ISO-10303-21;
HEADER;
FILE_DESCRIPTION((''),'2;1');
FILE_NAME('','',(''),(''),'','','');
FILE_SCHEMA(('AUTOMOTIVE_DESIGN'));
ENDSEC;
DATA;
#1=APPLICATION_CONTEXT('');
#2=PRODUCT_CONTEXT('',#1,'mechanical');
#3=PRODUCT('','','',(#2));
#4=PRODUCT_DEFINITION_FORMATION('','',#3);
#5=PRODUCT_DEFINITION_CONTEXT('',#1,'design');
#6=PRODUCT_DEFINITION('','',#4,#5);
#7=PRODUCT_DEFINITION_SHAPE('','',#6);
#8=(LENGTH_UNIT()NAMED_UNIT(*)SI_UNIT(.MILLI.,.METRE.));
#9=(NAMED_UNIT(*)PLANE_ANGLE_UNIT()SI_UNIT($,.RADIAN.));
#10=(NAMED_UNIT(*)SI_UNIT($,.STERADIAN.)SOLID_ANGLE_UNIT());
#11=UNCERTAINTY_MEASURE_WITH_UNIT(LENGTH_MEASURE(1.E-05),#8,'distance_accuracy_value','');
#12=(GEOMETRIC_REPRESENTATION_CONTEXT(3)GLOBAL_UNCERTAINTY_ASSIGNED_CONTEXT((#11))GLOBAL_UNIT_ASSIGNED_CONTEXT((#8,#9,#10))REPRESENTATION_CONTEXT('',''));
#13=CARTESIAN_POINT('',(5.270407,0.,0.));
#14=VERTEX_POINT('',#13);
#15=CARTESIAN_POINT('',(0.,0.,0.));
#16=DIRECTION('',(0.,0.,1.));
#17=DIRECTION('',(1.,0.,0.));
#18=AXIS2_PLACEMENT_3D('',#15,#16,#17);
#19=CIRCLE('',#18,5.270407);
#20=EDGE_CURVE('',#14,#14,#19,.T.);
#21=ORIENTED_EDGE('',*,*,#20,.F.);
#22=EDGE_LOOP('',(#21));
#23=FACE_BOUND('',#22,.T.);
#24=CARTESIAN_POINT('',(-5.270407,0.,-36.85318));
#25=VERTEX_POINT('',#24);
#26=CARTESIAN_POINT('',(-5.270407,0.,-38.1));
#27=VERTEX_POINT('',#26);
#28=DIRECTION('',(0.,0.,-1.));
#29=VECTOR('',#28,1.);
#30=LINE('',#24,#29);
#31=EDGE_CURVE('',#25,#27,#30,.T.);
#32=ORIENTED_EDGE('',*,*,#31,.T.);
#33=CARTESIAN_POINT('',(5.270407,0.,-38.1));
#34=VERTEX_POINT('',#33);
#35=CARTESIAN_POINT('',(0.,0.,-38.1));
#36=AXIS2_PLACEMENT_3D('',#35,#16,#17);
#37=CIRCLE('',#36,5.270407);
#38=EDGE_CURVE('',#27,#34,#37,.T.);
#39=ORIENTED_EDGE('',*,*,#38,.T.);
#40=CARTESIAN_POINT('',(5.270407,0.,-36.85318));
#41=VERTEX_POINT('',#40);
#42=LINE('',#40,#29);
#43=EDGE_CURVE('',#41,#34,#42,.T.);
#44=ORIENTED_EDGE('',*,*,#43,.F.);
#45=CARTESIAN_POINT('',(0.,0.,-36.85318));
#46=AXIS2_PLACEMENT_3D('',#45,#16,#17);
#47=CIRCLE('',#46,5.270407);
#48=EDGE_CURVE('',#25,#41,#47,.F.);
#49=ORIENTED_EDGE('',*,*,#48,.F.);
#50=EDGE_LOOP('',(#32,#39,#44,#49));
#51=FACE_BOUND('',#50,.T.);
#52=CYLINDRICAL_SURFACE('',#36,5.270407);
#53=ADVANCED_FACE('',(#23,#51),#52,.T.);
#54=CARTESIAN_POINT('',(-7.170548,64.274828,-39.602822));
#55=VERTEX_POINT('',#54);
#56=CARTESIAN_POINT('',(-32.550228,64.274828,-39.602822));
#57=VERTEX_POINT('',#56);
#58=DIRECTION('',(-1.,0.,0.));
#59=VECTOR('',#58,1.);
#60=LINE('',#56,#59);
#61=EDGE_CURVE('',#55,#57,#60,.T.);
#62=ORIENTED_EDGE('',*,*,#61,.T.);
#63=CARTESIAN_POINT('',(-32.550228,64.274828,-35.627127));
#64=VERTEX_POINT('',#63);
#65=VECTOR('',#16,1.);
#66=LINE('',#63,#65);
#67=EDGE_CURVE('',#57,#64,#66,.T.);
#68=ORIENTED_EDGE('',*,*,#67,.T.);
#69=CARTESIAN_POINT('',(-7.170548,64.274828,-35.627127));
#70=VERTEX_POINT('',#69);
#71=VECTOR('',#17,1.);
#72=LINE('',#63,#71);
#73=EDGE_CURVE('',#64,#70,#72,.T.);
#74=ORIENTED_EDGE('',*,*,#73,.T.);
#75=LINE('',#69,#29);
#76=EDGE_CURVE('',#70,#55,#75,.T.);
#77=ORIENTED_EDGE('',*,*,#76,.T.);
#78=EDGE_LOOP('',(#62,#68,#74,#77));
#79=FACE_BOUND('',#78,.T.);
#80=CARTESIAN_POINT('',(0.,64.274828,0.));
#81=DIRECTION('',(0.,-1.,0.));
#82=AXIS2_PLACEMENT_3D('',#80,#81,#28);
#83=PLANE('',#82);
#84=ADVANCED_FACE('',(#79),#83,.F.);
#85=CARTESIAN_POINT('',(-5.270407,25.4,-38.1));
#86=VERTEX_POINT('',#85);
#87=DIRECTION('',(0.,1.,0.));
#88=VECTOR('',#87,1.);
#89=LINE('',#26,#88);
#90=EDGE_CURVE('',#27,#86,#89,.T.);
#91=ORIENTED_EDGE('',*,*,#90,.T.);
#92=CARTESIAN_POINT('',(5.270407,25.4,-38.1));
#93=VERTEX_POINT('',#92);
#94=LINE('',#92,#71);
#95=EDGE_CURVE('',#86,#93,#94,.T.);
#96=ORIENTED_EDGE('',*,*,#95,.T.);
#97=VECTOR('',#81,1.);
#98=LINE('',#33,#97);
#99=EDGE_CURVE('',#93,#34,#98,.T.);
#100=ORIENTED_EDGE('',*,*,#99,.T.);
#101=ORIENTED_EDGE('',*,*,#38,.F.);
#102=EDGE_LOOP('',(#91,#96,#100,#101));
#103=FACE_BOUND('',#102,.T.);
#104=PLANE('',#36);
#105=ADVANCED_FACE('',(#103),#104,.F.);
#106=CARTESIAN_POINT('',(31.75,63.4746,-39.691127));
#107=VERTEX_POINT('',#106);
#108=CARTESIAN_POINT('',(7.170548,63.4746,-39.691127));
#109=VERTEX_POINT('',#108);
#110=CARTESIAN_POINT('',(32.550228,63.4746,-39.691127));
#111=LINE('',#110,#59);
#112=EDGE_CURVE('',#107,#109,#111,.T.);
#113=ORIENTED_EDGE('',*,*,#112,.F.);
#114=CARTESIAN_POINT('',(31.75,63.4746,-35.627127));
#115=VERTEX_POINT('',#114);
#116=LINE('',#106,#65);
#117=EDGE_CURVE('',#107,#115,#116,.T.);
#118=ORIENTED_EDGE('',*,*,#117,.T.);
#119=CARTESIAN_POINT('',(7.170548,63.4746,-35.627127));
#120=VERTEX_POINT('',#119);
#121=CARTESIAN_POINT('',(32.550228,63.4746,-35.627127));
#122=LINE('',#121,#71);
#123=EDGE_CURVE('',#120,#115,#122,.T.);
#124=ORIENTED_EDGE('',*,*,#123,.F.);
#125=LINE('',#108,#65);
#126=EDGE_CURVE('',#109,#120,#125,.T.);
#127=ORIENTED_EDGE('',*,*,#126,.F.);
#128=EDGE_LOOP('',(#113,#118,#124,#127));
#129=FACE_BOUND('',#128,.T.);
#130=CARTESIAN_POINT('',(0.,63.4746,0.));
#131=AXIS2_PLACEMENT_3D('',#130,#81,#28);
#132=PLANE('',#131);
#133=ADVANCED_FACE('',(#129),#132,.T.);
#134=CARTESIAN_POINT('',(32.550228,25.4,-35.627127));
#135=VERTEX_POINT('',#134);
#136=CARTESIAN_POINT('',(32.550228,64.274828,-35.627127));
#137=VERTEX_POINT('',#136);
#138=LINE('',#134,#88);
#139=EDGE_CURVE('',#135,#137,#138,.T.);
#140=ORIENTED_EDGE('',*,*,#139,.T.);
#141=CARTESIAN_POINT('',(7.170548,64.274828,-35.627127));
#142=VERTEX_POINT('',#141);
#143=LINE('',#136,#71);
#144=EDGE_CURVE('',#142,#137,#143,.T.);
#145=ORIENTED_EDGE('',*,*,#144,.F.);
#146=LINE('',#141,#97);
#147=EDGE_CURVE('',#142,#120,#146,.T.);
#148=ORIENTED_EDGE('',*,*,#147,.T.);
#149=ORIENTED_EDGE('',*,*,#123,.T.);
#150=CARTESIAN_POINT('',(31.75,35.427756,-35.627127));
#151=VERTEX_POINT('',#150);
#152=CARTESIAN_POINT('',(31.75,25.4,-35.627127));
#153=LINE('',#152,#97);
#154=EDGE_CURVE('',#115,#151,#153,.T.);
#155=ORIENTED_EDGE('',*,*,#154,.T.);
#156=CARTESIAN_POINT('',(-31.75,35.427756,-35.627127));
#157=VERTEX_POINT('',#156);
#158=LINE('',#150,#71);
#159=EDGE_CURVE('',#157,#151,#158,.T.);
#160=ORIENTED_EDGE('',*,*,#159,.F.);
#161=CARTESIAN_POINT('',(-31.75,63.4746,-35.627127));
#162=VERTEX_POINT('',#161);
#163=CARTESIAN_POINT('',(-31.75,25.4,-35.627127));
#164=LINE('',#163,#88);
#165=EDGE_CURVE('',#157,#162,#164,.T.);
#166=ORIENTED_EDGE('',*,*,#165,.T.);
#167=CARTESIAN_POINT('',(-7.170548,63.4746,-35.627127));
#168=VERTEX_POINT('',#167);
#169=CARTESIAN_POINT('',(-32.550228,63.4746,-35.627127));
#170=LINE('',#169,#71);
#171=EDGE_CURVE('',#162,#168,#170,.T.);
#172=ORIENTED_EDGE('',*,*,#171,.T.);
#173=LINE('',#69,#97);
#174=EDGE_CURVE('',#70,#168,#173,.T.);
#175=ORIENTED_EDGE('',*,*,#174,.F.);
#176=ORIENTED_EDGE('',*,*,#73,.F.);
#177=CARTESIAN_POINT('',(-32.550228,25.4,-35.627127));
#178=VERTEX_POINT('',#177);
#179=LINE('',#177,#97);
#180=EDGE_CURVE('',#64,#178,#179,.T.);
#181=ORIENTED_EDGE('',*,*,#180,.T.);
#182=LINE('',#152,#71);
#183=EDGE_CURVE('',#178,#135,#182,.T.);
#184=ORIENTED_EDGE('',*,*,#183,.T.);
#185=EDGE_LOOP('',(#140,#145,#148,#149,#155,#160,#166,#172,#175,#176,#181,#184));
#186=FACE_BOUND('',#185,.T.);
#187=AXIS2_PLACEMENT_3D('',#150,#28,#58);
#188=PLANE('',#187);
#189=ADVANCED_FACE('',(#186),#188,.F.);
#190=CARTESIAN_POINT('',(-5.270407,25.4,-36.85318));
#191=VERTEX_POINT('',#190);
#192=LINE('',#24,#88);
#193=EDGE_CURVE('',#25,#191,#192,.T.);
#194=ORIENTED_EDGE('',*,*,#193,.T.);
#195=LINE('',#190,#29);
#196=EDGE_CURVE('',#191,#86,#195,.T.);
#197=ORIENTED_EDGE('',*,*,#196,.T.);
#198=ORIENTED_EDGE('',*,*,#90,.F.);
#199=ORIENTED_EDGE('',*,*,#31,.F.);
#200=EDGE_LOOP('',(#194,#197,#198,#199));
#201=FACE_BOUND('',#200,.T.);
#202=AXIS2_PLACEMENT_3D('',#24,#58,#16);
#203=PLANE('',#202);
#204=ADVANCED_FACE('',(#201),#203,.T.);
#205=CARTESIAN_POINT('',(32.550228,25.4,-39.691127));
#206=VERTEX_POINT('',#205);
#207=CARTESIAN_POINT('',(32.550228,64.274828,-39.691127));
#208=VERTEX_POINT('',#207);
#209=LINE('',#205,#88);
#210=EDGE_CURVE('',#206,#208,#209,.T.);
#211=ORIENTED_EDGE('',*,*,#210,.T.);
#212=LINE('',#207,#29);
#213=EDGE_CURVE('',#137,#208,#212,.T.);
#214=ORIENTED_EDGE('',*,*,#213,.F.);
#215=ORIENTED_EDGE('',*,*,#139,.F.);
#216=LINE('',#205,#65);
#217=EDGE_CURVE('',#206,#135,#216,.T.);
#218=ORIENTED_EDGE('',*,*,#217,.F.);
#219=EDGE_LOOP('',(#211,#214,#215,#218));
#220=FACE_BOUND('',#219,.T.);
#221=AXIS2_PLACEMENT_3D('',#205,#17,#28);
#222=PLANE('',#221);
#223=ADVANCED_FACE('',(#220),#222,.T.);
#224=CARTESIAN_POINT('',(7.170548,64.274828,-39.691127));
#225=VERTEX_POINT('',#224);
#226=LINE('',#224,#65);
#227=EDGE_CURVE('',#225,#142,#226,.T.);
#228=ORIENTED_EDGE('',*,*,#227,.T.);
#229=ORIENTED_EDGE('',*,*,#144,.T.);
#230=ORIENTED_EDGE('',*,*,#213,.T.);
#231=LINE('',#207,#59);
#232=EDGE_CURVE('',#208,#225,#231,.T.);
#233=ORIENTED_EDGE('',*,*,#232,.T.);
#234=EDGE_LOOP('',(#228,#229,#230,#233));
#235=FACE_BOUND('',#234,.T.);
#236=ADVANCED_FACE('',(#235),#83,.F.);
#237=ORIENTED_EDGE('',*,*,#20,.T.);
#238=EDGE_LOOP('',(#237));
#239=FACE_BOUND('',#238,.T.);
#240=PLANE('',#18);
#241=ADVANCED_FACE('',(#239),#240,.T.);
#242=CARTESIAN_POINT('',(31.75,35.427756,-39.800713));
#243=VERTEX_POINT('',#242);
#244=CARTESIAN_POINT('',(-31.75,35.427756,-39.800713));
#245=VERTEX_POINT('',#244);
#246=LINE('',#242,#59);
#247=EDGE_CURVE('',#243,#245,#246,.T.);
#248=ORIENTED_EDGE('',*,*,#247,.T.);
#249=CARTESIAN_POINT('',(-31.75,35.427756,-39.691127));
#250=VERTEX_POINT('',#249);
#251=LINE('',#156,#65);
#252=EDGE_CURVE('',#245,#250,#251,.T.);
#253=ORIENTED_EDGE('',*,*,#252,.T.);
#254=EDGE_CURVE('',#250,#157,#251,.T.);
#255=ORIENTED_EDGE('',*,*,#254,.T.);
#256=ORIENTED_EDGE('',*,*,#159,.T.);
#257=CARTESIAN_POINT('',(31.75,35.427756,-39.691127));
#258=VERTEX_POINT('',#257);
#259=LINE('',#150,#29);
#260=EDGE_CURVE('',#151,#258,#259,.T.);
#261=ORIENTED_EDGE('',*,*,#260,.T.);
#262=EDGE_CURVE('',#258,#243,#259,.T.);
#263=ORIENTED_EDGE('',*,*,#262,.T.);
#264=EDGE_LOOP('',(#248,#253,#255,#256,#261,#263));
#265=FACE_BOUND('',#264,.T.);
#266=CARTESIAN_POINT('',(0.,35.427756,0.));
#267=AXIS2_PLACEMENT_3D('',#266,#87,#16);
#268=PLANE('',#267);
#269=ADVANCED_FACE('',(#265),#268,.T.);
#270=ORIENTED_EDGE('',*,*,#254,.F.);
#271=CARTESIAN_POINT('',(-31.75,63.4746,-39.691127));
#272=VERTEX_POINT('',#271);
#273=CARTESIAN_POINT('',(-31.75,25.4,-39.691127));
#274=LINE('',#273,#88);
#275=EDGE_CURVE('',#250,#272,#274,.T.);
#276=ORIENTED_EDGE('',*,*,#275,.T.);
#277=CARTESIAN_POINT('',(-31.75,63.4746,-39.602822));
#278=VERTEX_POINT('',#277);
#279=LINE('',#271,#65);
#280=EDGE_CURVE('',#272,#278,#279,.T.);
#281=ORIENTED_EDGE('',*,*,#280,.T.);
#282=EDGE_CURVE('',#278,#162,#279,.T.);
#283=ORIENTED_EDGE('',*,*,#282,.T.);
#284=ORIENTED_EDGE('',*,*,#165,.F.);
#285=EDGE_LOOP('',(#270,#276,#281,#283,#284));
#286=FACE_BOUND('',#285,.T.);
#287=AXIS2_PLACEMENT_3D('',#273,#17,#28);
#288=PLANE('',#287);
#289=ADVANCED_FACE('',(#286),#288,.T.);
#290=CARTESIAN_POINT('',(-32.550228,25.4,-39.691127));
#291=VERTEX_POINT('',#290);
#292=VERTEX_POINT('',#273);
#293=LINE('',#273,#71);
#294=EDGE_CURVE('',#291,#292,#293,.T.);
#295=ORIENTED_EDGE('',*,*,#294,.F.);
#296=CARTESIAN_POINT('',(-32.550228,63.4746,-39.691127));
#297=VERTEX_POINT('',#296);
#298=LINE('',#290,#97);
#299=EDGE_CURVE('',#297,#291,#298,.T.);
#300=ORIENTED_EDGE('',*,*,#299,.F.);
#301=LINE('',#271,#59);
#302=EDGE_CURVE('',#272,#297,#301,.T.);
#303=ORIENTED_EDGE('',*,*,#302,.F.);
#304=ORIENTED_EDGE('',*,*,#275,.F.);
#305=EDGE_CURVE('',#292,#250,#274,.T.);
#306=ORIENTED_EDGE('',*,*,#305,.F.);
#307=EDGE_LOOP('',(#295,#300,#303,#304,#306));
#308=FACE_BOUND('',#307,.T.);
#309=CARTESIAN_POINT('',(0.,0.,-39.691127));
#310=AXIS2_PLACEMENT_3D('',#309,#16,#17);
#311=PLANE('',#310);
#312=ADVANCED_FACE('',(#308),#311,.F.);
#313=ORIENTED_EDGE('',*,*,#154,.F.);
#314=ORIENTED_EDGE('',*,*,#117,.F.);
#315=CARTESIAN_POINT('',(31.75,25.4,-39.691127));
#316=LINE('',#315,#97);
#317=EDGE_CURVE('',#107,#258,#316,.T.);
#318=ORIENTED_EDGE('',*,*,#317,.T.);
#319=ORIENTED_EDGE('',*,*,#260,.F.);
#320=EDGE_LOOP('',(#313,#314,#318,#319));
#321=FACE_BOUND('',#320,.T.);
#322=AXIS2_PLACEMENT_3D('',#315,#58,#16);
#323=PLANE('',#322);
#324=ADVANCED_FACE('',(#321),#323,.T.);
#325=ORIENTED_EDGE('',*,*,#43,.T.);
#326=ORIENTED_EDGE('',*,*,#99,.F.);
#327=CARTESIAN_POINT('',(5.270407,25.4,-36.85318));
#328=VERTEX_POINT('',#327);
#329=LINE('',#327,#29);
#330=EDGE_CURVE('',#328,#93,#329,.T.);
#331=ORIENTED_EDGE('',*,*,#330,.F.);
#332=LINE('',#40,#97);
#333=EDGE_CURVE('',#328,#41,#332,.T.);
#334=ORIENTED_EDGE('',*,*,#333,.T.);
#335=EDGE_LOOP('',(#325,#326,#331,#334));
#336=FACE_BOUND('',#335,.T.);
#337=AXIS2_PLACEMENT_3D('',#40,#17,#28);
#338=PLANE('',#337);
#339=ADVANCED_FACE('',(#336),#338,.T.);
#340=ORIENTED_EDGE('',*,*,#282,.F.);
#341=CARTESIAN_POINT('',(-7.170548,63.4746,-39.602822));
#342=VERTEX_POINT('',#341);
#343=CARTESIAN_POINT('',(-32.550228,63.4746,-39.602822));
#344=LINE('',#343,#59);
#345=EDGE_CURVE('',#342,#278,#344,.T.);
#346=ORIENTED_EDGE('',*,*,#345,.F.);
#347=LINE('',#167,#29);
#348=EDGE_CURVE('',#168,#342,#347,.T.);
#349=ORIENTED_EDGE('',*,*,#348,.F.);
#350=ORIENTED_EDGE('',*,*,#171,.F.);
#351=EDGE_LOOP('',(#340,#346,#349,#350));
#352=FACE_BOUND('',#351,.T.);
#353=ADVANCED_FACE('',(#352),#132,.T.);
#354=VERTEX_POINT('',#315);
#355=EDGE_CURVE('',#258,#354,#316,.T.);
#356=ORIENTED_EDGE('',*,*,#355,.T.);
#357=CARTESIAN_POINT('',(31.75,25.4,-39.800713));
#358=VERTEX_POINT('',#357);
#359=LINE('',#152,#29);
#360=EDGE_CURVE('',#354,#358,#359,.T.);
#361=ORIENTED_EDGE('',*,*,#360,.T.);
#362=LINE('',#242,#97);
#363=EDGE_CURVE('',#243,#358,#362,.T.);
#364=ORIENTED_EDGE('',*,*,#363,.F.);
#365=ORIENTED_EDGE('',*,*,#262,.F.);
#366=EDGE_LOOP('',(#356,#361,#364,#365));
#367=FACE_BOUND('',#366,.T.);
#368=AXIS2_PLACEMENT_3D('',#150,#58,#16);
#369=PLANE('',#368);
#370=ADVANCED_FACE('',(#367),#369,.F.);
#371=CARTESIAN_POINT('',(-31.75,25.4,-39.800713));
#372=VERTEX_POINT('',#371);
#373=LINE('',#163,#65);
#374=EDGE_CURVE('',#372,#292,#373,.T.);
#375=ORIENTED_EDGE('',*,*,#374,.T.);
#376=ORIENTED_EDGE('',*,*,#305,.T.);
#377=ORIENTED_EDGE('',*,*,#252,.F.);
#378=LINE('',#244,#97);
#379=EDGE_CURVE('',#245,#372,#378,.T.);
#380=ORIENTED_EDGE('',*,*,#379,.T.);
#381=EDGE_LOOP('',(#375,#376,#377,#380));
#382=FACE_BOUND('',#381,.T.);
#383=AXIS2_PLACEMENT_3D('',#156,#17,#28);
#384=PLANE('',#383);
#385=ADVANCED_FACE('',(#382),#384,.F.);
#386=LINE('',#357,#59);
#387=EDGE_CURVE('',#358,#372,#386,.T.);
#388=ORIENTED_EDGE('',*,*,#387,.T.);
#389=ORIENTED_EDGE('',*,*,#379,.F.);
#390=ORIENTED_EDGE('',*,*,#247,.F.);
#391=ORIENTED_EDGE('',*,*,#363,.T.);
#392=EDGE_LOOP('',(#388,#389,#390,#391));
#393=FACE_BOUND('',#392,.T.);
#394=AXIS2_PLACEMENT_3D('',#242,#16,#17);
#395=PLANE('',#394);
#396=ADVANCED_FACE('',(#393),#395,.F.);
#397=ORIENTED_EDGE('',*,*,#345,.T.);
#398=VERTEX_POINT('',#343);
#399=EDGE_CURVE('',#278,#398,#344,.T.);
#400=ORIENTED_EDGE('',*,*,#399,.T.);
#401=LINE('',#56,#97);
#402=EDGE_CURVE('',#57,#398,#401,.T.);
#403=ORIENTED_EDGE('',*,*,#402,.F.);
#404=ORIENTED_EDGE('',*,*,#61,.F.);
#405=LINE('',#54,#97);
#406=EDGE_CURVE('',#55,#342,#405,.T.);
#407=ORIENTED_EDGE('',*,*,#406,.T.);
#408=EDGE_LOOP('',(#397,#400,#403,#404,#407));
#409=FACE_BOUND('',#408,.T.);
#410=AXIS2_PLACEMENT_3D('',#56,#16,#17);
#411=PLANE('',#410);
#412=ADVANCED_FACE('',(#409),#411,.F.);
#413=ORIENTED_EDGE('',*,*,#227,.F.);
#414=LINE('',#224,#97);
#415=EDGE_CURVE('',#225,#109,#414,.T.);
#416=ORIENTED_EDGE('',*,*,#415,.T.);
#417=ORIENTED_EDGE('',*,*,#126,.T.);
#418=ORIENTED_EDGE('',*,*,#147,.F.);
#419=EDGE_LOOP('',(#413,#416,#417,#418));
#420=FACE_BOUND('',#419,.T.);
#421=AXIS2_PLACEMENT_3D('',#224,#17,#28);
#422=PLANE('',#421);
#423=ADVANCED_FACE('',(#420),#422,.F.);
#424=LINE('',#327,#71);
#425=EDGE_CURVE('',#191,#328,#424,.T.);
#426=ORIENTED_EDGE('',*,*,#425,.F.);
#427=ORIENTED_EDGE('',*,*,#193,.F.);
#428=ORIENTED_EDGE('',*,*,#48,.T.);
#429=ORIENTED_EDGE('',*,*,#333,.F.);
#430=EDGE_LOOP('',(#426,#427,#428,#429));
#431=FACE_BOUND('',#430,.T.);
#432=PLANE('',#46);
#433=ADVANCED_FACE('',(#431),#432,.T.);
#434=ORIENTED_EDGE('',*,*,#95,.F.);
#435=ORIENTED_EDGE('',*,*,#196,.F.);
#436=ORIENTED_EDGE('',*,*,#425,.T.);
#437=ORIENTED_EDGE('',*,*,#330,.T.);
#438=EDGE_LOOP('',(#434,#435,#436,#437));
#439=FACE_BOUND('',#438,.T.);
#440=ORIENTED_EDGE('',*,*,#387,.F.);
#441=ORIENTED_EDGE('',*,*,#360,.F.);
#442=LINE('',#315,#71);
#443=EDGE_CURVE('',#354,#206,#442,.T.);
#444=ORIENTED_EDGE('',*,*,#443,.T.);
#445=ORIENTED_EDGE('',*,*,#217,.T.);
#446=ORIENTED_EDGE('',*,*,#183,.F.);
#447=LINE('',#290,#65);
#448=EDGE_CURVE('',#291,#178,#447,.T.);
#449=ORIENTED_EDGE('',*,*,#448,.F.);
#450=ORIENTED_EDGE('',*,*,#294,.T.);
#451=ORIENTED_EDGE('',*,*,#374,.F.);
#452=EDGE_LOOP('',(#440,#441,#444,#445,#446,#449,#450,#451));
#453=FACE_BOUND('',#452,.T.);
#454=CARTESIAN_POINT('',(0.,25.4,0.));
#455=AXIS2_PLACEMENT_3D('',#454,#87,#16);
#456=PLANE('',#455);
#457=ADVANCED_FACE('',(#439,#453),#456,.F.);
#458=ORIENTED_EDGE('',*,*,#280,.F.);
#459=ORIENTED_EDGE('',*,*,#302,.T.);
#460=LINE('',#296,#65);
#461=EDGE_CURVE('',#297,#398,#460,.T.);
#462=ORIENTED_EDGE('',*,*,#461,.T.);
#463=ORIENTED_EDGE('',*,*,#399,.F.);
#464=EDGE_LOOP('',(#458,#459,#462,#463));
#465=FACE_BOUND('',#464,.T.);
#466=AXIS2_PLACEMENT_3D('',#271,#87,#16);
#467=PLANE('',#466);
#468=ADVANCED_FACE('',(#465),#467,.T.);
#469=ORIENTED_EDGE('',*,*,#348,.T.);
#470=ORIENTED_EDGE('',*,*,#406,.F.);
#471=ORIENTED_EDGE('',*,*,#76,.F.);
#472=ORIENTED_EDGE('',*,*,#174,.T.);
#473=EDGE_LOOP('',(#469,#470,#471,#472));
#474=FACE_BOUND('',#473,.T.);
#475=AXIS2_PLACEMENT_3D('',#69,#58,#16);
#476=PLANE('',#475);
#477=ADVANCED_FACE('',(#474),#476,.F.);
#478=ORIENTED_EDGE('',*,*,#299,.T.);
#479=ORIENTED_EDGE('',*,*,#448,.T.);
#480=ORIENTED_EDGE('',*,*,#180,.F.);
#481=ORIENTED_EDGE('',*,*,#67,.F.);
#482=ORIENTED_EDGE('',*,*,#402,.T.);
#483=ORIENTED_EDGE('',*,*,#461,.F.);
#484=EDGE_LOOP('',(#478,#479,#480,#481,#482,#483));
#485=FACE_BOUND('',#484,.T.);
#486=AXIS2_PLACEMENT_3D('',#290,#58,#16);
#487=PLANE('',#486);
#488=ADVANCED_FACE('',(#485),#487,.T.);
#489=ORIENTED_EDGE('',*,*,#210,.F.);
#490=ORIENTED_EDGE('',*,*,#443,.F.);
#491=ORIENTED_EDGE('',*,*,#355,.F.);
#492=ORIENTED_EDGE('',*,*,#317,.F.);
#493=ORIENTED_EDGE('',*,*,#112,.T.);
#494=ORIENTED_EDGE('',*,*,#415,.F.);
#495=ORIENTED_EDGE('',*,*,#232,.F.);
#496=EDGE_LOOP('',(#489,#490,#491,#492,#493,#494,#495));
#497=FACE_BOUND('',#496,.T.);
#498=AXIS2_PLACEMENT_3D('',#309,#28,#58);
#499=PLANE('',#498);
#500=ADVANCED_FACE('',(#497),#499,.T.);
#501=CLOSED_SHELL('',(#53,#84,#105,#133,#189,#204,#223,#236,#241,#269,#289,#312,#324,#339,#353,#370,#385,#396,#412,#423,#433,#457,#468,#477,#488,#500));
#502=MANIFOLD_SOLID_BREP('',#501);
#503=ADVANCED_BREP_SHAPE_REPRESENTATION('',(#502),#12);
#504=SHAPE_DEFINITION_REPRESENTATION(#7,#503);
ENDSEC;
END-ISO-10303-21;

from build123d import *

# Parameters (mm, degrees)
SKETCH1_R       = 5.270407467
FEATURE_A_DEPTH = 38.1
SKETCH2_W       = 10.540814934
SKETCH2_H       = 25.4
FEATURE_B_DEPTH = 1.246819584
SKETCH5_W       = 63.5
SKETCH5_H       = 4.173585558
FEATURE_C_DEPTH = 10.027755954
SKETCH6_W       = 0.800228097
SKETCH6_H       = 38.0746
FEATURE_D_DEPTH = 4.064
SKETCH7_W       = 25.37968
SKETCH7_H       = 3.975694803
SKETCH7_H_2     = 4.064
FEATURE_E_DEPTH = 0.800228097


with BuildPart() as part:
    # Sketch1 → Feature A (new body)
    with BuildSketch(Plane.XY):
        Circle(SKETCH1_R)
    extrude(amount=-FEATURE_A_DEPTH)

    # Sketch2 → Feature B (add)
    with BuildSketch(Plane(origin=(0, 0, -38.1), x_dir=(-1, 0, 0), z_dir=(0, 0, -1))):
        with Locations((0, 12.7)):
            Rectangle(SKETCH2_W, SKETCH2_H)
    extrude(amount=-FEATURE_B_DEPTH)

    # Sketch5 → Feature C (add)
    with BuildSketch(Plane(origin=(0, 25.4, 0), x_dir=(1, 0, 0), z_dir=(0, 1, 0))):
        with Locations((0, 37.71392)):
            Rectangle(SKETCH5_W, SKETCH5_H)
    extrude(amount=FEATURE_C_DEPTH)

    # Sketch6 → Feature D (add)
    with BuildSketch(Plane.XY.offset(-35.627127221)):
        with Locations((-32.150114049, 44.4373)):
            Rectangle(SKETCH6_W, SKETCH6_H)
        with Locations((32.150114049, 44.4373)):
            Rectangle(SKETCH6_W, SKETCH6_H)
    extrude(amount=-FEATURE_D_DEPTH)

    # Sketch7 → Feature E (add)
    with BuildSketch(Plane(origin=(0, 63.4746, 0), x_dir=(1, 0, 0), z_dir=(0, 1, 0))):
        with Locations((-19.860388097, 37.614974623)):
            Rectangle(SKETCH7_W, SKETCH7_H)
        with Locations((19.860388097, 37.659127221)):
            Rectangle(SKETCH7_W, SKETCH7_H_2)
    extrude(amount=FEATURE_E_DEPTH)


solid = part.part
